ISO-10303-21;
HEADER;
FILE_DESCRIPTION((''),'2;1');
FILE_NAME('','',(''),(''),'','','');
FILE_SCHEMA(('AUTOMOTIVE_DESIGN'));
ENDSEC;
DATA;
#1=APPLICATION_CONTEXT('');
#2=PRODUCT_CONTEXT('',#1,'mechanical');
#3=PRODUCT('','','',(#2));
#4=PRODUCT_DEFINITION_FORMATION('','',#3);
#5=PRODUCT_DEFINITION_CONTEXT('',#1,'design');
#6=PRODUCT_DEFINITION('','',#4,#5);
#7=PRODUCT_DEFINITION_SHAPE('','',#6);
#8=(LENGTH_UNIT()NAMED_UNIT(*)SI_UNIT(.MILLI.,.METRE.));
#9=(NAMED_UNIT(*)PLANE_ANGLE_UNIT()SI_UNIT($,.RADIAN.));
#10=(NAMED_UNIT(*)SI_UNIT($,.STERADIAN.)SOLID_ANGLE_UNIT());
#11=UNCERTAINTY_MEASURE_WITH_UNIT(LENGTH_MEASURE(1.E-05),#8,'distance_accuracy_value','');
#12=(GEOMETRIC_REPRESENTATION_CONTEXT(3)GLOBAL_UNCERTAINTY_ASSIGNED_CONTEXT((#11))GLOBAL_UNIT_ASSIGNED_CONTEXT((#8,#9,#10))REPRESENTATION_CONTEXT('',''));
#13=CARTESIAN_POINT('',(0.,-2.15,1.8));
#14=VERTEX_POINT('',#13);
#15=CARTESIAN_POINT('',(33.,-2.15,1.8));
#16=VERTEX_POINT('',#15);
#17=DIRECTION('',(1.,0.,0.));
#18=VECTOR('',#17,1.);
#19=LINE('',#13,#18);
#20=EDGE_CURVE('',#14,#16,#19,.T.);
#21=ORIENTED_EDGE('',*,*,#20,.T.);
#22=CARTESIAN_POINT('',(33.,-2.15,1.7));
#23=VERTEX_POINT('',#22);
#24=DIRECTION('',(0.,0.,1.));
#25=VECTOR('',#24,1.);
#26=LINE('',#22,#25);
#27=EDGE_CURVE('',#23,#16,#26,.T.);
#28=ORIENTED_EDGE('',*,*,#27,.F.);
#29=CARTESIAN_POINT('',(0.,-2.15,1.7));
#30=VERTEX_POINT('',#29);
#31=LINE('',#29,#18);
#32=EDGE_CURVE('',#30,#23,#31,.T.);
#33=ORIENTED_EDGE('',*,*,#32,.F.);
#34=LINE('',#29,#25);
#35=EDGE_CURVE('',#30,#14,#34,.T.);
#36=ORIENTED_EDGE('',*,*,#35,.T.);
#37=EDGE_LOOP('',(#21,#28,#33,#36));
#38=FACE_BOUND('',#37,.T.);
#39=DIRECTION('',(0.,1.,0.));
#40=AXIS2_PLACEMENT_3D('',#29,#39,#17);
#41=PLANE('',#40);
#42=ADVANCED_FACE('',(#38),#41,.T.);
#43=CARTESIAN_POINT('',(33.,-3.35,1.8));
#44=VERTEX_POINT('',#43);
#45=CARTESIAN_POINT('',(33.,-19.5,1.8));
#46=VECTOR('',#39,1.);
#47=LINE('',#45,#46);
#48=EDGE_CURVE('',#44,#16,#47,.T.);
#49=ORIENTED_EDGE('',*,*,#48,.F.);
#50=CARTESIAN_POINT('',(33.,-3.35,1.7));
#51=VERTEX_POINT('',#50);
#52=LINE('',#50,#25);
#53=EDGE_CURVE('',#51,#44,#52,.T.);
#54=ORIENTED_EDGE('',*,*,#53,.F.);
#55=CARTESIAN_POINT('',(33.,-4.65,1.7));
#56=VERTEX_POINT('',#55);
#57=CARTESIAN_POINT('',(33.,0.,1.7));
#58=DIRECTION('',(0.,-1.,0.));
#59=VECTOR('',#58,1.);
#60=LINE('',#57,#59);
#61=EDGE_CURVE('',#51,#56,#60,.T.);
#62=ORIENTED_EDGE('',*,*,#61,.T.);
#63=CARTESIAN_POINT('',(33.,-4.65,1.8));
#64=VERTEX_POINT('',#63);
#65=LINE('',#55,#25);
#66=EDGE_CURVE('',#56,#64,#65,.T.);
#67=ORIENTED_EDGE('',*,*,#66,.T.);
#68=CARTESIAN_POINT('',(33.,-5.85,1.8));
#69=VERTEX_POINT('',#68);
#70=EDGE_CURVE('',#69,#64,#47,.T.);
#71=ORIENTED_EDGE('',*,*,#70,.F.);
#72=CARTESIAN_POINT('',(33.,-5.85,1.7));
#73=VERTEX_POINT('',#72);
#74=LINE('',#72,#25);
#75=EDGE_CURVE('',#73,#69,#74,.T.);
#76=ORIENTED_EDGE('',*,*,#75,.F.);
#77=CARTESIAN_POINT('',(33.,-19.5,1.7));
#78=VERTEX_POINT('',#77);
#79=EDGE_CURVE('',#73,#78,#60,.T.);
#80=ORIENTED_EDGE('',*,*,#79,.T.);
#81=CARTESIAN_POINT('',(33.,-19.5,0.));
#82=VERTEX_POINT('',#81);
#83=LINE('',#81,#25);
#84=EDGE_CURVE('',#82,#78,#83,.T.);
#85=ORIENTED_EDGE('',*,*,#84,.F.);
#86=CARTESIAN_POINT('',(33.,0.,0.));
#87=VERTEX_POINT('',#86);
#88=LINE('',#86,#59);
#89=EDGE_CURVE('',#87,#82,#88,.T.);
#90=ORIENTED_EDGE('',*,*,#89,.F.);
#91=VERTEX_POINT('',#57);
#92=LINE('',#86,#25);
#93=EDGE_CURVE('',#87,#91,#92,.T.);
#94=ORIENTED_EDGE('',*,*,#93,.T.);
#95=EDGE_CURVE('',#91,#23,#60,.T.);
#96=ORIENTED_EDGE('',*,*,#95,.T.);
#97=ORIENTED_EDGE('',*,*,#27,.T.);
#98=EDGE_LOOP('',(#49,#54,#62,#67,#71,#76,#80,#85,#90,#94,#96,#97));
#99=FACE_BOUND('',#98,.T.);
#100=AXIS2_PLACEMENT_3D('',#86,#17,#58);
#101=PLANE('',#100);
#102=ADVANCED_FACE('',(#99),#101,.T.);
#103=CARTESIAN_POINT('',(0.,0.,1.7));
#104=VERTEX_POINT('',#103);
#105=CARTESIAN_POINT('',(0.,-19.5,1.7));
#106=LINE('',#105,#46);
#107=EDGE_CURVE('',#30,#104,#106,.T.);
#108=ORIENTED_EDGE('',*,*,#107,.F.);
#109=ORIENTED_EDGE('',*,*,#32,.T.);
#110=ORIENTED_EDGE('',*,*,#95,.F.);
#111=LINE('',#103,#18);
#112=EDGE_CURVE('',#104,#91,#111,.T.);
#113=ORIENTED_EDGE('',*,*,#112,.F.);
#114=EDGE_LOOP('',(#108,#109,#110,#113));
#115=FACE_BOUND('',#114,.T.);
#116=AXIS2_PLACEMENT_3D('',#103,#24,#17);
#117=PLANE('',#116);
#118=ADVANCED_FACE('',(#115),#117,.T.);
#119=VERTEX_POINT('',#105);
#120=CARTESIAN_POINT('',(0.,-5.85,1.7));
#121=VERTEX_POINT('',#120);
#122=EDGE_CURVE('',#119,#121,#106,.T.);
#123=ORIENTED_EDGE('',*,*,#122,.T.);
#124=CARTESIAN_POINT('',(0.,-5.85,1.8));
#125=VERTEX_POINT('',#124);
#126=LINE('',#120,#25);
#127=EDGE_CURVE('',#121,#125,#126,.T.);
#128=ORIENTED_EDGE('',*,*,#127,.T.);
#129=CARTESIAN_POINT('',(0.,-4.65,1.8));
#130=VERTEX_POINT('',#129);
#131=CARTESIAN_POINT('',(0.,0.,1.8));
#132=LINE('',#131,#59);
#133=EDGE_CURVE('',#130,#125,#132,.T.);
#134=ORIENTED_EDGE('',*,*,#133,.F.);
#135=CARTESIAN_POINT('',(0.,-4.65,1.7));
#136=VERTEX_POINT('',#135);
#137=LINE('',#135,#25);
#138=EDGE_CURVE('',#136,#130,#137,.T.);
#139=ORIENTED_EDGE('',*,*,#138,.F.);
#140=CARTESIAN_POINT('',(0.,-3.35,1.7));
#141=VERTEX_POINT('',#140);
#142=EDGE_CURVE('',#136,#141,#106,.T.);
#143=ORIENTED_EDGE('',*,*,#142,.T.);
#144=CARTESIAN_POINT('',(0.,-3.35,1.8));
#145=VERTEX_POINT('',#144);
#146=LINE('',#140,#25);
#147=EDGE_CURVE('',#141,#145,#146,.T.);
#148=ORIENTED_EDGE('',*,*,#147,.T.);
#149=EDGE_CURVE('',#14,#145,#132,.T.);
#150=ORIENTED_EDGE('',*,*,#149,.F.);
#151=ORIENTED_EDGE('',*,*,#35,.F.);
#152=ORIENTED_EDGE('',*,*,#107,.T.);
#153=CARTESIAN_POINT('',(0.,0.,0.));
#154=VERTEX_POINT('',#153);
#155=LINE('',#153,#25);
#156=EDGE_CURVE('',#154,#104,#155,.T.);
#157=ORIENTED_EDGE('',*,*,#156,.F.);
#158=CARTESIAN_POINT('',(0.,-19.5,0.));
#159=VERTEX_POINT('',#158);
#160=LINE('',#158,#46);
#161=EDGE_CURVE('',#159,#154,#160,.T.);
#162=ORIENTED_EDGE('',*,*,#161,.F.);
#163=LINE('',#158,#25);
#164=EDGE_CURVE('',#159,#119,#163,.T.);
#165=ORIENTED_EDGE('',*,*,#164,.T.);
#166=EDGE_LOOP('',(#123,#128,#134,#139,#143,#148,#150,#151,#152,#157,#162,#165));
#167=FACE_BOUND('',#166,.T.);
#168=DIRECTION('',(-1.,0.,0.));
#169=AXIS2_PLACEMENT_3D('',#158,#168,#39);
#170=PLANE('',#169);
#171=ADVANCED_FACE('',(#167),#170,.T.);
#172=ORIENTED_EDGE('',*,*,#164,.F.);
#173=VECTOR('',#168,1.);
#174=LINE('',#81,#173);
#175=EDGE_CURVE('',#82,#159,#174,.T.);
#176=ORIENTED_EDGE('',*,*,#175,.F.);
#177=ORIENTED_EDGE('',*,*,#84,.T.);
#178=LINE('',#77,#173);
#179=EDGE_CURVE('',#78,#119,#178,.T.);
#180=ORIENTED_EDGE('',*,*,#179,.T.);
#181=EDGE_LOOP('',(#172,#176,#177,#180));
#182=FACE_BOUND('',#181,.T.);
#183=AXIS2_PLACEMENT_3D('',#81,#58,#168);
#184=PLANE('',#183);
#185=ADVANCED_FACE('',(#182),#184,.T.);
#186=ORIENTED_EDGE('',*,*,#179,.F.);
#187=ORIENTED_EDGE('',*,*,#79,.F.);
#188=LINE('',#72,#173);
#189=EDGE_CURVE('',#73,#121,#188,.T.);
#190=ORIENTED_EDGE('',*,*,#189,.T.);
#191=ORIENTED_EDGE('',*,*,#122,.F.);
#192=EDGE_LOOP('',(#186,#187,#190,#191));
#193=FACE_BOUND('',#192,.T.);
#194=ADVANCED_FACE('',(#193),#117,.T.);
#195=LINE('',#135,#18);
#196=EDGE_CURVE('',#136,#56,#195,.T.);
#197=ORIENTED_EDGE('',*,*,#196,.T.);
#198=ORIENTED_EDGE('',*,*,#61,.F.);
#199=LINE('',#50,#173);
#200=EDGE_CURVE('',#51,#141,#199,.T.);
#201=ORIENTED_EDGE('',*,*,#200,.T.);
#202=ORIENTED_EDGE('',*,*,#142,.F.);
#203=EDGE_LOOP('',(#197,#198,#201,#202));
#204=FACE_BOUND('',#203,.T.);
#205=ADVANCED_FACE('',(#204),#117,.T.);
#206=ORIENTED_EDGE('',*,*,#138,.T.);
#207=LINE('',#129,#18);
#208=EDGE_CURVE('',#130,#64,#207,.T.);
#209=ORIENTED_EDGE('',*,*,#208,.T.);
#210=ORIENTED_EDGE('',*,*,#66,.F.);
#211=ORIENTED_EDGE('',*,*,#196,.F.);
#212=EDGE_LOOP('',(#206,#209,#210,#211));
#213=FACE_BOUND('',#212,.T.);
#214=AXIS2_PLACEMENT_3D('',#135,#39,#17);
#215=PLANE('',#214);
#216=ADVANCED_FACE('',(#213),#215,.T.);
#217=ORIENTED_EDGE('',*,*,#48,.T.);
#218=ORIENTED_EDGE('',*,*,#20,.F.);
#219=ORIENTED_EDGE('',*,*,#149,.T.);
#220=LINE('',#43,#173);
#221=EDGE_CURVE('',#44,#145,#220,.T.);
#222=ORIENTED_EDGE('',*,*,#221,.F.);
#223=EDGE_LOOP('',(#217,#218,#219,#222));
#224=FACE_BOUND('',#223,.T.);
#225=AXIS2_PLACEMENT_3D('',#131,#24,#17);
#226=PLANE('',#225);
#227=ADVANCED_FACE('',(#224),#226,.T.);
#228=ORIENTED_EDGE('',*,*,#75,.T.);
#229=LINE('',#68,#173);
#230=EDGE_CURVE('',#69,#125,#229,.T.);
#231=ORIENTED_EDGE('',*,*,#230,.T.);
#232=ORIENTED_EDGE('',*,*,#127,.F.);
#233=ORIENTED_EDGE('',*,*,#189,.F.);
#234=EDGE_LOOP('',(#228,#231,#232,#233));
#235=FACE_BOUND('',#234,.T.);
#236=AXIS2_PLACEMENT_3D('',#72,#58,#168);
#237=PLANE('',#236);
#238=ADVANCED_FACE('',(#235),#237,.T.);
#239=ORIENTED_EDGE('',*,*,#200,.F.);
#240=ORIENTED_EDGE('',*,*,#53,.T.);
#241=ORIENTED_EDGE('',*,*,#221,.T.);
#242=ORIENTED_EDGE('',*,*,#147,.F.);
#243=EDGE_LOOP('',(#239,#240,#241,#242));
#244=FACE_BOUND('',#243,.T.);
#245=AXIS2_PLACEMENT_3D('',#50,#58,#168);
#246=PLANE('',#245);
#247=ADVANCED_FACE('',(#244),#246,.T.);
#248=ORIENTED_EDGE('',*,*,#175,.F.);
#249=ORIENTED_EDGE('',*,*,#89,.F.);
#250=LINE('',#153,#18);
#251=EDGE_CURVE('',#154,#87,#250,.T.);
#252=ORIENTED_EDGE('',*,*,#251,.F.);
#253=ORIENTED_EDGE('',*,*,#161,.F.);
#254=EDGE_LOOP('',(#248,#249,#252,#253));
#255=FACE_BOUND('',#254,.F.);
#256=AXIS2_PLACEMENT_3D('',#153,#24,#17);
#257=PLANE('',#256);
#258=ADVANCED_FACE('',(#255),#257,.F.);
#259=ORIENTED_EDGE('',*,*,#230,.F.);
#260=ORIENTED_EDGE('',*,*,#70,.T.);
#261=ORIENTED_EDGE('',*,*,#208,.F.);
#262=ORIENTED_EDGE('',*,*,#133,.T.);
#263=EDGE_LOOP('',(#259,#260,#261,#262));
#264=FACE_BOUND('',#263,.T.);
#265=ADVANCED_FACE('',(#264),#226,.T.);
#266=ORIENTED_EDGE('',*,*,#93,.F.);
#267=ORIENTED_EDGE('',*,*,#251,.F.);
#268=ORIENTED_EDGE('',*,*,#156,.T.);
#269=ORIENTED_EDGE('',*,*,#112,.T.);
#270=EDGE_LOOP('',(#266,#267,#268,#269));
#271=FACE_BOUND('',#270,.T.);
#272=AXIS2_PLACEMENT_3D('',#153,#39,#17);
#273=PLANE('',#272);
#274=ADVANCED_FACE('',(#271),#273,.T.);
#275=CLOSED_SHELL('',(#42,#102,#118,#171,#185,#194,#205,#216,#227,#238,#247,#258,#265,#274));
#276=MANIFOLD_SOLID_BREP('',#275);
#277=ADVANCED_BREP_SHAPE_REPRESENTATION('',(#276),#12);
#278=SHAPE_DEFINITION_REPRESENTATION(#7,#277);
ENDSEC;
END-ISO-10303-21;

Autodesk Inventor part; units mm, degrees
ref_plane "YZ Plane" through (0, 0, 0) normal (1, 0, 0) x (0, 1, 0)
ref_plane "XZ Plane" through (0, 0, 0) normal (0, 1, 0) x (-1, 0, 0)
ref_plane "XY Plane" through (0, 0, 0) normal (0, 0, 1) x (1, 0, 0)
sketch "Skizze1" plane through (0, 0, 0) normal (0, 0, 1) x (1, 0, 0)
  line L0 (0, 0) -> (33, 0)
  line L1 (33, 0) -> (33, -19.5)
  line L2 (33, -19.5) -> (0, -19.5)
  line L3 (0, -19.5) -> (0, 0)
  dimension "d0" = 33
  dimension "d1" = 19.5
extrude "Extrusion1" add sketch "Skizze1" along normal blind 1.7
sketch "Skizze2" plane through (0, 0, 1.7) normal (0, 0, 1) x (1, 0, 0)
  line L0 (33, 0) -> (0, 0) projected
  line L1 (0, 0) -> (0, -19.5) projected
  line L2 (0, -19.5) -> (33, -19.5) projected
  line L3 (33, -19.5) -> (33, 0) projected
  line L4 (0, 0) -> (0, -19.5) projected
  line L5 (33, 0) -> (33, -19.5) projected
  line L6 (0, -2.15) -> (33, -2.15)
  line L7 (33, -2.15) -> (33, -3.35)
  line L8 (33, -3.35) -> (0, -3.35)
  line L9 (0, -3.35) -> (0, -2.15)
  line L10 (33, -5.85) -> (0, -5.85)
  line L11 (0, -5.85) -> (0, -4.65)
  line L12 (0, -4.65) -> (33, -4.65)
  line L13 (33, -4.65) -> (33, -5.85)
  line L14 (0, -3.35) -> (33, -3.35)
  line L15 (33, -3.35) -> (33, -2.15)
  line L16 (33, -2.15) -> (0, -2.15)
  line L17 (0, -2.15) -> (0, -3.35)
  line L18 (33, -4.65) -> (0, -4.65)
  line L19 (0, -4.65) -> (0, -5.85)
  line L20 (0, -5.85) -> (33, -5.85)
  line L21 (33, -5.85) -> (33, -4.65)
  dimension "d10" = 1.2
  dimension "d11" = 1.2
  dimension "d12" = 1.3
extrude "Extrusion2" add sketch "Skizze2" along normal blind 0.1 contours L3 L8 L1 L6 | L3 L10 L1 L12
sketch "Skizze4" plane through (0, 0, 1.7) normal (0, 0, 1) x (1, 0, 0)
  line L0 (429, -5.85) -> (0, -5.85) projected
  line L1 (0, -5.85) -> (0, -20) projected
  line L2 (0, -20) -> (429, -20) projected
  line L3 (429, -20) -> (429, -5.85) projected
  line L4 (0, -20) -> (-50, -20)
  line L5 (-50, -20) -> (-50, 20)
  line L6 (-50, 20) -> (0, 20)
  line L7 (0, 20) -> (0, -20)
  line L8 (23.5, 20) -> (11.5, 20) projected
  point P0 (0, 0)
  dimension "d19" = 50
sketch "Skizze5" plane through (0, 0, 1.7) normal (0, 0, 1) x (1, 0, 0)
  circle A0 centre (50.5, 14) radius 1.5 projected
  circle A1 centre (83.5, 14) radius 1.5 projected
  circle A2 centre (116.5, 14) radius 1.5 projected
  circle A3 centre (149.5, 14) radius 1.5 projected
  circle A4 centre (182.5, 14) radius 1.5 projected
  circle A5 centre (215.5, 14) radius 1.5 projected
  circle A6 centre (248.5, 14) radius 1.5 projected
  circle A7 centre (281.5, 14) radius 1.5 projected
  circle A8 centre (314.5, 14) radius 1.5 projected
  circle A9 centre (347.5, 14) radius 1.5 projected
  circle A10 centre (380.5, 14) radius 1.5 projected
  circle A11 centre (413.5, 14) radius 1.5 projected
  circle A12 centre (17.5, 14) radius 1.5 projected
  line L0 (0, -2.15) -> (429, -2.15) projected
  line L1 (429, -2.15) -> (429, 0) projected
  line L2 (429, 0) -> (419.5, 0) projected
  line L3 (419.5, 0) -> (419.5, 20) projected
  line L4 (419.5, 20) -> (407.5, 20) projected
  line L5 (407.5, 20) -> (407.5, 0) projected
  line L6 (407.5, 0) -> (386.5, 0) projected
  line L7 (386.5, 0) -> (386.5, 20) projected
  line L8 (386.5, 20) -> (374.5, 20) projected
  line L9 (374.5, 20) -> (374.5, 0) projected
  line L10 (374.5, 0) -> (353.5, 0) projected
  line L11 (353.5, 0) -> (353.5, 20) projected
  line L12 (353.5, 20) -> (341.5, 20) projected
  line L13 (341.5, 20) -> (341.5, 0) projected
  line L14 (341.5, 0) -> (320.5, 0) projected
  line L15 (320.5, 0) -> (320.5, 20) projected
  line L16 (320.5, 20) -> (308.5, 20) projected
  line L17 (308.5, 20) -> (308.5, 0) projected
  line L18 (308.5, 0) -> (287.5, 0) projected
  line L19 (287.5, 0) -> (287.5, 20) projected
  line L20 (287.5, 20) -> (275.5, 20) projected
  line L21 (275.5, 20) -> (275.5, 0) projected
  line L22 (275.5, 0) -> (254.5, 0) projected
  line L23 (254.5, 0) -> (254.5, 20) projected
  line L24 (254.5, 20) -> (242.5, 20) projected
  line L25 (242.5, 20) -> (242.5, 0) projected
  line L26 (242.5, 0) -> (221.5, 0) projected
  line L27 (221.5, 0) -> (221.5, 20) projected
  line L28 (221.5, 20) -> (209.5, 20) projected
  line L29 (209.5, 20) -> (209.5, 0) projected
  line L30 (209.5, 0) -> (188.5, 0) projected
  line L31 (188.5, 0) -> (188.5, 20) projected
  line L32 (188.5, 20) -> (176.5, 20) projected
  line L33 (176.5, 20) -> (176.5, 0) projected
  line L34 (176.5, 0) -> (155.5, 0) projected
  line L35 (155.5, 0) -> (155.5, 20) projected
  line L36 (155.5, 20) -> (143.5, 20) projected
  line L37 (143.5, 20) -> (143.5, 0) projected
  line L38 (143.5, 0) -> (122.5, 0) projected
  line L39 (122.5, 0) -> (122.5, 20) projected
  line L40 (122.5, 20) -> (110.5, 20) projected
  line L41 (110.5, 20) -> (110.5, 0) projected
  line L42 (110.5, 0) -> (89.5, 0) projected
  line L43 (89.5, 0) -> (89.5, 20) projected
  line L44 (89.5, 20) -> (77.5, 20) projected
  line L45 (77.5, 20) -> (77.5, 0) projected
  line L46 (77.5, 0) -> (56.5, 0) projected
  line L47 (56.5, 0) -> (56.5, 20) projected
  line L48 (56.5, 20) -> (44.5, 20) projected
  line L49 (44.5, 20) -> (44.5, 0) projected
  line L50 (44.5, 0) -> (23.5, 0) projected
  line L51 (23.5, 0) -> (23.5, 20) projected
  line L52 (23.5, 20) -> (11.5, 20) projected
  line L53 (11.5, 20) -> (11.5, 0) projected
  line L54 (11.5, 0) -> (0, 0) projected
  line L55 (0, 0) -> (0, 20) projected
  line L56 (0, 20) -> (-50, 20) projected
  line L57 (-50, 20) -> (-50, -20) projected
  line L58 (-50, -20) -> (429, -20) projected
  line L59 (429, -20) -> (429, -5.85) projected
  line L60 (429, -5.85) -> (0, -5.85) projected
  line L61 (0, -4.65) -> (0, -5.85) projected
  line L62 (0, -4.65) -> (429, -4.65) projected
  line L63 (429, -4.65) -> (429, -3.35) projected
  line L64 (429, -3.35) -> (0, -3.35) projected
  line L65 (0, -2.15) -> (0, -3.35) projected
  line L66 (-38.9172, -16.707) -> (-48.9487, -16.707)
  line L67 (-48.9487, -16.707) -> (-48.9487, -8.753)
  line L68 (-48.9487, -8.753) -> (-38.9172, -8.753)
  line L69 (-38.9172, -8.753) -> (-38.9172, -16.707)
  line L70 (-40.6386, -6.9723) -> (-48.9487, -6.9723)
  line L71 (-48.9487, -6.9723) -> (-48.9487, -2.75)
  line L72 (-48.9487, -2.75) -> (-40.6386, -2.75)
  line L73 (-40.6386, -2.75) -> (-40.6386, -6.9723)
sketch "Skizze6" plane through (0, 0, 1.7) normal (0, 0, 1) x (1, 0, 0)
  circle A0 centre (-40.9672, 3.5952) radius 2
  point P0 (0, 0)
  dimension "d25" = 4
  dimension "d29" = 20
  dimension "d30" = 1.3
  dimension "d31" = 1.2
  dimension "d32" = 1.2
  dimension "d33" = 2.15
properties part number "PowerRail"
